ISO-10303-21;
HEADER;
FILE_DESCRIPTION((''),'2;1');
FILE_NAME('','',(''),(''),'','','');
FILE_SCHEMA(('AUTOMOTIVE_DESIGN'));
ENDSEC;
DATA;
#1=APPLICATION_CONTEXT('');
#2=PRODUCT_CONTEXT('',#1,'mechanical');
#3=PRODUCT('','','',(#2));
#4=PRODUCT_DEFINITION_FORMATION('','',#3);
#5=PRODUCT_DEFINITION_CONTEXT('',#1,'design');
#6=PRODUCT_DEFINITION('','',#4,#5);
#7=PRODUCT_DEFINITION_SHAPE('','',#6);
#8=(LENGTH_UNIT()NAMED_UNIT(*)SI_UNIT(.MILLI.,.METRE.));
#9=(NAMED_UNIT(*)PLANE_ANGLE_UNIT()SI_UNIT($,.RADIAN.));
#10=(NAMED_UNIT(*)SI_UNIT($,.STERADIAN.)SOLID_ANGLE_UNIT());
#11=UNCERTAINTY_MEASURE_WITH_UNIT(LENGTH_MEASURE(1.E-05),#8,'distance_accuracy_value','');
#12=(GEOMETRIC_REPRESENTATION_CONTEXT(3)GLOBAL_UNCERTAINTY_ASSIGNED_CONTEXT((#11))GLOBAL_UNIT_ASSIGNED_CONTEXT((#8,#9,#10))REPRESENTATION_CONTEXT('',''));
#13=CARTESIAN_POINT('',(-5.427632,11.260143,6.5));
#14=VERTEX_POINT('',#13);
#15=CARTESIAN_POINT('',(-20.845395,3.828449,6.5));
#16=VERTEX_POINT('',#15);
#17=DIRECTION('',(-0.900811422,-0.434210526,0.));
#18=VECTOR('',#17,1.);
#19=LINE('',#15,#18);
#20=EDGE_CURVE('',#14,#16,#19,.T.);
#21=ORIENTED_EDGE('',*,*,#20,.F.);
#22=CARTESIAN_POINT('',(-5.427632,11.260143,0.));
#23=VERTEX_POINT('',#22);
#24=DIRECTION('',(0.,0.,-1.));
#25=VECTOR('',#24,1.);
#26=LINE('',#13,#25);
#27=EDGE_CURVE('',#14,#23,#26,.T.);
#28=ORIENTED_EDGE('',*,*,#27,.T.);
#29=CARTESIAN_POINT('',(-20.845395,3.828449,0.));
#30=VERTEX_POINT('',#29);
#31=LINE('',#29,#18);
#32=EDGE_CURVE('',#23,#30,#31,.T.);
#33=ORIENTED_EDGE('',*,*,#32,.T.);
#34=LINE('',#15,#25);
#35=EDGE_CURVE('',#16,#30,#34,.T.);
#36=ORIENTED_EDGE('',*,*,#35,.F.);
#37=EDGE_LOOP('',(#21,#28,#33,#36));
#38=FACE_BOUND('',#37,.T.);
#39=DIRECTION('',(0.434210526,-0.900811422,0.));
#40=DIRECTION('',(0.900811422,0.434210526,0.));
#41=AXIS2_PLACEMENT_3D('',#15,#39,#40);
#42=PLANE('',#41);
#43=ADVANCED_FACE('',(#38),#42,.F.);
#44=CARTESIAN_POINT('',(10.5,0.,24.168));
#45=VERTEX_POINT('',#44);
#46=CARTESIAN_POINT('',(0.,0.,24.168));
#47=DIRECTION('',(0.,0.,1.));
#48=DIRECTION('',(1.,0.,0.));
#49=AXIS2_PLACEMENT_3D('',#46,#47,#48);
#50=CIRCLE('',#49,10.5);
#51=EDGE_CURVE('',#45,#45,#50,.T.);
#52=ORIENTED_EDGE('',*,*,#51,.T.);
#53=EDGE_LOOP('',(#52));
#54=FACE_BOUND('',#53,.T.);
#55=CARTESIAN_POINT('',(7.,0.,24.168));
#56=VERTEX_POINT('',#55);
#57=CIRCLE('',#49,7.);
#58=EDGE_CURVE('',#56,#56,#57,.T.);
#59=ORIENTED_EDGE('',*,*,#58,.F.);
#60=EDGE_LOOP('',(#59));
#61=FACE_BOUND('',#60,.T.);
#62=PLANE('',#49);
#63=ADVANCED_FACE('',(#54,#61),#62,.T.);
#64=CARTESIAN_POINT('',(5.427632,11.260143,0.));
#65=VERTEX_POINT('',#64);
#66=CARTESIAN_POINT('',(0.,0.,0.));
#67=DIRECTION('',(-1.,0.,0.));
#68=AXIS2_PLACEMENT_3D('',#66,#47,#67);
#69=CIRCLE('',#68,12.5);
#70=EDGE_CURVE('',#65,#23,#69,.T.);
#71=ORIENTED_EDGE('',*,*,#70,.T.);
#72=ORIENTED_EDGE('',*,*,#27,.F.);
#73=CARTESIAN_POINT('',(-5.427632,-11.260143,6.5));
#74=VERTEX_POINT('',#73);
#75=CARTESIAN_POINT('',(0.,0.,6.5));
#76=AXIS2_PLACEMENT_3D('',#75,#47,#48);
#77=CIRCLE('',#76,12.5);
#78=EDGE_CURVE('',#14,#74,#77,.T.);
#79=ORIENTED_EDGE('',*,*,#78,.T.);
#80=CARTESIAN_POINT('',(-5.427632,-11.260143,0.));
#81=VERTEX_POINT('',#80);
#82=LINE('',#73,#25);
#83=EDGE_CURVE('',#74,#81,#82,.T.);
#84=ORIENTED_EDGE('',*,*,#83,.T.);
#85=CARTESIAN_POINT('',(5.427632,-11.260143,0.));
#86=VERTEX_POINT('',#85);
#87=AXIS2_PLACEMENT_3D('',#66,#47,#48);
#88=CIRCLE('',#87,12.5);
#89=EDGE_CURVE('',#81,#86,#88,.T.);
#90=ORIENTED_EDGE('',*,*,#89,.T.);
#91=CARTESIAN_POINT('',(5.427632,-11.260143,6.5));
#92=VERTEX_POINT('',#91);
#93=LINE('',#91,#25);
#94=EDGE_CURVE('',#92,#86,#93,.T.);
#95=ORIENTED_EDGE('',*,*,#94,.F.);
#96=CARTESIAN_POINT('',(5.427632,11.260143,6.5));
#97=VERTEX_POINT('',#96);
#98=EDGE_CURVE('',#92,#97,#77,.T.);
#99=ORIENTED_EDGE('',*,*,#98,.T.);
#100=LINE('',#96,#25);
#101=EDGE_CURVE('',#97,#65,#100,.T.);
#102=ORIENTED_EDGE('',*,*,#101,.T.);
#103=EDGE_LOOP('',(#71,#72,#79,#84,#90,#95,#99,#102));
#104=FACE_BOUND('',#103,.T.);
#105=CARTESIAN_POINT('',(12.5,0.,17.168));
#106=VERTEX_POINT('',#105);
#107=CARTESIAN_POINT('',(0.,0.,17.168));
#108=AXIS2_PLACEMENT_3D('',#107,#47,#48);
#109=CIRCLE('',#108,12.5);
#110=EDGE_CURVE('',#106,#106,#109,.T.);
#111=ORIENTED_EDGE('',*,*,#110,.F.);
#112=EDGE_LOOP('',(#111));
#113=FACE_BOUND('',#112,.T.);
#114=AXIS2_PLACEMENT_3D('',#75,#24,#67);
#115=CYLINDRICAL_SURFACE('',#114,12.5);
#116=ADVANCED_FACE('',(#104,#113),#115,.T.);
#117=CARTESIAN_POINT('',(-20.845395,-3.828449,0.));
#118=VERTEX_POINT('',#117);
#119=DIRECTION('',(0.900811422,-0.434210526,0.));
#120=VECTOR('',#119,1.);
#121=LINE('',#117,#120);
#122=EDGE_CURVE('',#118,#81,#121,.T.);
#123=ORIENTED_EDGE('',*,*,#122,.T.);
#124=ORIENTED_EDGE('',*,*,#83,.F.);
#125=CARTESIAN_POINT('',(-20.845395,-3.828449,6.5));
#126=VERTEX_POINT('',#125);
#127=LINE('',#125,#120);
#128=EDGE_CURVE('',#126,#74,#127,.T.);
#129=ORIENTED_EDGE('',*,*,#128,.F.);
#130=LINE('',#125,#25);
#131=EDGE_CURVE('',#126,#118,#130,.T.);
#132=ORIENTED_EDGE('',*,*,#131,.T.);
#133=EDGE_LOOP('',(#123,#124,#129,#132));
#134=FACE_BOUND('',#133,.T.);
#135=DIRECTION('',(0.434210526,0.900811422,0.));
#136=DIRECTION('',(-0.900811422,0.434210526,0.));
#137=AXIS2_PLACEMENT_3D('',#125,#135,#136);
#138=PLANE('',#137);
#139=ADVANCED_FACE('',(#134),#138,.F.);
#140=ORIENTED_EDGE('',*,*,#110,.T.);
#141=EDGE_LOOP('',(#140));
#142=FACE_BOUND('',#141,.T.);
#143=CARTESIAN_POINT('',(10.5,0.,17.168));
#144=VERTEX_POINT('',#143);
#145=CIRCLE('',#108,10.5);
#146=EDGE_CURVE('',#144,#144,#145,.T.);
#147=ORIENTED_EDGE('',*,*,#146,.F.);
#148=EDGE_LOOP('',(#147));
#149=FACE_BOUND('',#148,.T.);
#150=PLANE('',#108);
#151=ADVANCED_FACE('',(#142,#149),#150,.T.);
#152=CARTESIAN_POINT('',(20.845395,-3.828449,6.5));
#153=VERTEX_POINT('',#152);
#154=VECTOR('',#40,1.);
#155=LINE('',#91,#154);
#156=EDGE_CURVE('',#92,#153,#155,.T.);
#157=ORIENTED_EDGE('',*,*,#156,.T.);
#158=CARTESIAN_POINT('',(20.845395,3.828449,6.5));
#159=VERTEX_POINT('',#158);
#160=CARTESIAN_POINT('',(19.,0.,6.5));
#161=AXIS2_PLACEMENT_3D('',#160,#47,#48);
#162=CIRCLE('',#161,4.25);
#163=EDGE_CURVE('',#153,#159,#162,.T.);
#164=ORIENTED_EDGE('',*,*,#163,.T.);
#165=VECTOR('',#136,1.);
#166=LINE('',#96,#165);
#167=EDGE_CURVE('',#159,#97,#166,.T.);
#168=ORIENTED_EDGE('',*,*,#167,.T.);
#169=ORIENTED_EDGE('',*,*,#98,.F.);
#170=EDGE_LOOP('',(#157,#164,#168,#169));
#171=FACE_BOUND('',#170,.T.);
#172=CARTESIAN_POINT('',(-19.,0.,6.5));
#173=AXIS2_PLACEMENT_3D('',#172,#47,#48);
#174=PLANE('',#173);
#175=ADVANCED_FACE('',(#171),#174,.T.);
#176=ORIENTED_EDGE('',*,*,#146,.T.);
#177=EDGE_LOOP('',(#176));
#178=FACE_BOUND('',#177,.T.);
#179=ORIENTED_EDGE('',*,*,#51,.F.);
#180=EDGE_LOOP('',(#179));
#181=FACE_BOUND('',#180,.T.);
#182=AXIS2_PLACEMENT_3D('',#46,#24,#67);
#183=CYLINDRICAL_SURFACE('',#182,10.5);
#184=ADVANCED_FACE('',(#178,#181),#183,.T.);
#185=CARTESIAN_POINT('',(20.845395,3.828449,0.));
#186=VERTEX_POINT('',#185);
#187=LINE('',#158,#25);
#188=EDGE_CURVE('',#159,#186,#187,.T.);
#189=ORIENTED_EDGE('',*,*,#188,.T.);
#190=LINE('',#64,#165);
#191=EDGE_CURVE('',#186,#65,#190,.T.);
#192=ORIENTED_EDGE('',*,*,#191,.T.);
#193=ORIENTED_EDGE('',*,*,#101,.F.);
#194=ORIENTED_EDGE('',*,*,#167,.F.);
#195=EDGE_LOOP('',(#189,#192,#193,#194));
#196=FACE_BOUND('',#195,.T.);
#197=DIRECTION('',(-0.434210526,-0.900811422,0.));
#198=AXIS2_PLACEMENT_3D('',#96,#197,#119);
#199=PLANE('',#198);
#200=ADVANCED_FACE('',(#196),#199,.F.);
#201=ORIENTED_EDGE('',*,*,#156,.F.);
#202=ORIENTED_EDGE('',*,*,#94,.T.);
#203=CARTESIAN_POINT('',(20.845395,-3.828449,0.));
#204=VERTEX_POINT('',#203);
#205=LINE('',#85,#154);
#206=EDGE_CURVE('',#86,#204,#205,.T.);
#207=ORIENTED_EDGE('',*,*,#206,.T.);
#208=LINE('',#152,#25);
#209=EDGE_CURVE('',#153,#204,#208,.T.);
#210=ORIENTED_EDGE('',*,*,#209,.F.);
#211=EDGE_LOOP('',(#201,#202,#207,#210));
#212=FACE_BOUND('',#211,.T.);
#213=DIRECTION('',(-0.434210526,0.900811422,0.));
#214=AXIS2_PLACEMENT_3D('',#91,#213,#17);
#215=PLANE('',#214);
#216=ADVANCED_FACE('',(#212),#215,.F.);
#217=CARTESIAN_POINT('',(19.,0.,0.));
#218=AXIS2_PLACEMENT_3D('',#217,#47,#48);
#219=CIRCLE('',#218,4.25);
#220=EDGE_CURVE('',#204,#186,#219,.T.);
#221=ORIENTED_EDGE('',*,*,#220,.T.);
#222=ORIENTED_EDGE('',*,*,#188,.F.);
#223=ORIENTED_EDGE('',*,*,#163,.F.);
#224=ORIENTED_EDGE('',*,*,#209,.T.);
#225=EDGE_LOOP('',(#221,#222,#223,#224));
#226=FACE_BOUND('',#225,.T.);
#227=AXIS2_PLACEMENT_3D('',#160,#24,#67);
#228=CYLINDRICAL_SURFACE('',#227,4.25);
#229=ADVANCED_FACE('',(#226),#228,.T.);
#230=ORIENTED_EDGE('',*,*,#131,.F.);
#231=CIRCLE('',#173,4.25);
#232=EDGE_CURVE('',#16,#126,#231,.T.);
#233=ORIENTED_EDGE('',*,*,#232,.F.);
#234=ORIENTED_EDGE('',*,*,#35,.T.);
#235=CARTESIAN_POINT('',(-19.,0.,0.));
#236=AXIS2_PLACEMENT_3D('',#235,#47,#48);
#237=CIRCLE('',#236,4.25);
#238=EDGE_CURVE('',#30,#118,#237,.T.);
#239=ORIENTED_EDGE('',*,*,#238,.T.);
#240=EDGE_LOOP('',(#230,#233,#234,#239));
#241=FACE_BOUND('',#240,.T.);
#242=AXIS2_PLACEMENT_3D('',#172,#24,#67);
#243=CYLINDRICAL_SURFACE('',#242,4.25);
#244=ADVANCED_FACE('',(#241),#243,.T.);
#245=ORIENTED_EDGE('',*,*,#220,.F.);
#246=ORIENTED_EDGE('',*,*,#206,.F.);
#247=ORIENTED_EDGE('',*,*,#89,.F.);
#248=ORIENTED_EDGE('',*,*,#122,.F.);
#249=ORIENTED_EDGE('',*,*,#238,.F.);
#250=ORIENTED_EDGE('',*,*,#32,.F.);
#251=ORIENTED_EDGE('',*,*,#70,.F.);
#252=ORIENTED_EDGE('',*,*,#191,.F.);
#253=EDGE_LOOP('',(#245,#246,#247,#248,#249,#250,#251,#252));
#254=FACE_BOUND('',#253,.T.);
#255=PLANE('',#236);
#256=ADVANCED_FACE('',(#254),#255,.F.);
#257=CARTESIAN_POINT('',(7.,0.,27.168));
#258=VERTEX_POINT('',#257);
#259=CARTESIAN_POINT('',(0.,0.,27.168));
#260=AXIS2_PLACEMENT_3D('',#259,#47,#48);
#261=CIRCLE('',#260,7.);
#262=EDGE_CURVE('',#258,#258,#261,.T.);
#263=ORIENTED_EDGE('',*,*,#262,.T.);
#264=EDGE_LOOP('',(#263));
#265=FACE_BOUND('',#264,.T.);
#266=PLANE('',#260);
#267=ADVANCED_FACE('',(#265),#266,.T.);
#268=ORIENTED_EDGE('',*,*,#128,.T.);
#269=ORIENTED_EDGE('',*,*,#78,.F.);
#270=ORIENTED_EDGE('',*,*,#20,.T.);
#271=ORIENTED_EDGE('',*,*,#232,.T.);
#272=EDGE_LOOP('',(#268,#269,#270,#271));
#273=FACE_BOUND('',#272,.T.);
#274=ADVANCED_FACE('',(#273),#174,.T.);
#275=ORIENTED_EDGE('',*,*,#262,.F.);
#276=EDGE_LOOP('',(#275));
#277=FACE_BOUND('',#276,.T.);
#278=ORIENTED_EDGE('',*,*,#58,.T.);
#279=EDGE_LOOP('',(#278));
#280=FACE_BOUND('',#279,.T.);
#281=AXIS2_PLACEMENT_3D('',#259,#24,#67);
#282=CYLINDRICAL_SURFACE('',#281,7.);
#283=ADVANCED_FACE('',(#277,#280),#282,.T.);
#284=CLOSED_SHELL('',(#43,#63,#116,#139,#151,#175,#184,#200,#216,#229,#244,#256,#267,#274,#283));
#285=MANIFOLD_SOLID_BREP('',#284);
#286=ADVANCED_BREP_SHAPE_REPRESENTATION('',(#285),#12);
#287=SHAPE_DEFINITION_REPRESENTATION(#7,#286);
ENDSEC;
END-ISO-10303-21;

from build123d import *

# Parameters (mm, degrees)
BOSS_EXTRUDE1_DEPTH = 6.5
SKETCH2_R           = 12.5
BOSS_EXTRUDE2_DEPTH = 10.668
SKETCH3_R           = 10.5
BOSS_EXTRUDE3_DEPTH = 7
SKETCH4_R           = 7
BOSS_EXTRUDE4_DEPTH = 3


with BuildPart() as part:
    # Sketch1 → Boss-Extrude1 (new body)
    with BuildSketch(Plane.XY):
        with BuildLine():
            Line((-20.845394737, 3.828448545), (-5.427631579, 11.260142781))
            ThreePointArc((-5.427631579, 11.260142781), (0, 12.5), (5.427631579, 11.260142781))
            Line((5.427631579, 11.260142781), (20.845394737, 3.828448545))
            ThreePointArc((20.845394737, 3.828448545), (23.25, 0), (20.845394737, -3.828448545))
            Line((20.845394737, -3.828448545), (5.427631579, -11.260142781))
            ThreePointArc((5.427631579, -11.260142781), (0, -12.5), (-5.427631579, -11.260142781))
            Line((-5.427631579, -11.260142781), (-20.845394737, -3.828448545))
            ThreePointArc((-20.845394737, -3.828448545), (-23.25, 0), (-20.845394737, 3.828448545))
        make_face()
    extrude(amount=BOSS_EXTRUDE1_DEPTH)

    # Sketch2 → Boss-Extrude2 (add)
    with BuildSketch(Plane.XY.offset(6.5)):
        Circle(SKETCH2_R)
    extrude(amount=BOSS_EXTRUDE2_DEPTH)

    # Sketch3 → Boss-Extrude3 (add)
    with BuildSketch(Plane.XY.offset(17.168)):
        Circle(SKETCH3_R)
    extrude(amount=BOSS_EXTRUDE3_DEPTH)

    # Sketch4 → Boss-Extrude4 (add)
    with BuildSketch(Plane.XY.offset(24.168)):
        Circle(SKETCH4_R)
    extrude(amount=BOSS_EXTRUDE4_DEPTH)


solid = part.part
